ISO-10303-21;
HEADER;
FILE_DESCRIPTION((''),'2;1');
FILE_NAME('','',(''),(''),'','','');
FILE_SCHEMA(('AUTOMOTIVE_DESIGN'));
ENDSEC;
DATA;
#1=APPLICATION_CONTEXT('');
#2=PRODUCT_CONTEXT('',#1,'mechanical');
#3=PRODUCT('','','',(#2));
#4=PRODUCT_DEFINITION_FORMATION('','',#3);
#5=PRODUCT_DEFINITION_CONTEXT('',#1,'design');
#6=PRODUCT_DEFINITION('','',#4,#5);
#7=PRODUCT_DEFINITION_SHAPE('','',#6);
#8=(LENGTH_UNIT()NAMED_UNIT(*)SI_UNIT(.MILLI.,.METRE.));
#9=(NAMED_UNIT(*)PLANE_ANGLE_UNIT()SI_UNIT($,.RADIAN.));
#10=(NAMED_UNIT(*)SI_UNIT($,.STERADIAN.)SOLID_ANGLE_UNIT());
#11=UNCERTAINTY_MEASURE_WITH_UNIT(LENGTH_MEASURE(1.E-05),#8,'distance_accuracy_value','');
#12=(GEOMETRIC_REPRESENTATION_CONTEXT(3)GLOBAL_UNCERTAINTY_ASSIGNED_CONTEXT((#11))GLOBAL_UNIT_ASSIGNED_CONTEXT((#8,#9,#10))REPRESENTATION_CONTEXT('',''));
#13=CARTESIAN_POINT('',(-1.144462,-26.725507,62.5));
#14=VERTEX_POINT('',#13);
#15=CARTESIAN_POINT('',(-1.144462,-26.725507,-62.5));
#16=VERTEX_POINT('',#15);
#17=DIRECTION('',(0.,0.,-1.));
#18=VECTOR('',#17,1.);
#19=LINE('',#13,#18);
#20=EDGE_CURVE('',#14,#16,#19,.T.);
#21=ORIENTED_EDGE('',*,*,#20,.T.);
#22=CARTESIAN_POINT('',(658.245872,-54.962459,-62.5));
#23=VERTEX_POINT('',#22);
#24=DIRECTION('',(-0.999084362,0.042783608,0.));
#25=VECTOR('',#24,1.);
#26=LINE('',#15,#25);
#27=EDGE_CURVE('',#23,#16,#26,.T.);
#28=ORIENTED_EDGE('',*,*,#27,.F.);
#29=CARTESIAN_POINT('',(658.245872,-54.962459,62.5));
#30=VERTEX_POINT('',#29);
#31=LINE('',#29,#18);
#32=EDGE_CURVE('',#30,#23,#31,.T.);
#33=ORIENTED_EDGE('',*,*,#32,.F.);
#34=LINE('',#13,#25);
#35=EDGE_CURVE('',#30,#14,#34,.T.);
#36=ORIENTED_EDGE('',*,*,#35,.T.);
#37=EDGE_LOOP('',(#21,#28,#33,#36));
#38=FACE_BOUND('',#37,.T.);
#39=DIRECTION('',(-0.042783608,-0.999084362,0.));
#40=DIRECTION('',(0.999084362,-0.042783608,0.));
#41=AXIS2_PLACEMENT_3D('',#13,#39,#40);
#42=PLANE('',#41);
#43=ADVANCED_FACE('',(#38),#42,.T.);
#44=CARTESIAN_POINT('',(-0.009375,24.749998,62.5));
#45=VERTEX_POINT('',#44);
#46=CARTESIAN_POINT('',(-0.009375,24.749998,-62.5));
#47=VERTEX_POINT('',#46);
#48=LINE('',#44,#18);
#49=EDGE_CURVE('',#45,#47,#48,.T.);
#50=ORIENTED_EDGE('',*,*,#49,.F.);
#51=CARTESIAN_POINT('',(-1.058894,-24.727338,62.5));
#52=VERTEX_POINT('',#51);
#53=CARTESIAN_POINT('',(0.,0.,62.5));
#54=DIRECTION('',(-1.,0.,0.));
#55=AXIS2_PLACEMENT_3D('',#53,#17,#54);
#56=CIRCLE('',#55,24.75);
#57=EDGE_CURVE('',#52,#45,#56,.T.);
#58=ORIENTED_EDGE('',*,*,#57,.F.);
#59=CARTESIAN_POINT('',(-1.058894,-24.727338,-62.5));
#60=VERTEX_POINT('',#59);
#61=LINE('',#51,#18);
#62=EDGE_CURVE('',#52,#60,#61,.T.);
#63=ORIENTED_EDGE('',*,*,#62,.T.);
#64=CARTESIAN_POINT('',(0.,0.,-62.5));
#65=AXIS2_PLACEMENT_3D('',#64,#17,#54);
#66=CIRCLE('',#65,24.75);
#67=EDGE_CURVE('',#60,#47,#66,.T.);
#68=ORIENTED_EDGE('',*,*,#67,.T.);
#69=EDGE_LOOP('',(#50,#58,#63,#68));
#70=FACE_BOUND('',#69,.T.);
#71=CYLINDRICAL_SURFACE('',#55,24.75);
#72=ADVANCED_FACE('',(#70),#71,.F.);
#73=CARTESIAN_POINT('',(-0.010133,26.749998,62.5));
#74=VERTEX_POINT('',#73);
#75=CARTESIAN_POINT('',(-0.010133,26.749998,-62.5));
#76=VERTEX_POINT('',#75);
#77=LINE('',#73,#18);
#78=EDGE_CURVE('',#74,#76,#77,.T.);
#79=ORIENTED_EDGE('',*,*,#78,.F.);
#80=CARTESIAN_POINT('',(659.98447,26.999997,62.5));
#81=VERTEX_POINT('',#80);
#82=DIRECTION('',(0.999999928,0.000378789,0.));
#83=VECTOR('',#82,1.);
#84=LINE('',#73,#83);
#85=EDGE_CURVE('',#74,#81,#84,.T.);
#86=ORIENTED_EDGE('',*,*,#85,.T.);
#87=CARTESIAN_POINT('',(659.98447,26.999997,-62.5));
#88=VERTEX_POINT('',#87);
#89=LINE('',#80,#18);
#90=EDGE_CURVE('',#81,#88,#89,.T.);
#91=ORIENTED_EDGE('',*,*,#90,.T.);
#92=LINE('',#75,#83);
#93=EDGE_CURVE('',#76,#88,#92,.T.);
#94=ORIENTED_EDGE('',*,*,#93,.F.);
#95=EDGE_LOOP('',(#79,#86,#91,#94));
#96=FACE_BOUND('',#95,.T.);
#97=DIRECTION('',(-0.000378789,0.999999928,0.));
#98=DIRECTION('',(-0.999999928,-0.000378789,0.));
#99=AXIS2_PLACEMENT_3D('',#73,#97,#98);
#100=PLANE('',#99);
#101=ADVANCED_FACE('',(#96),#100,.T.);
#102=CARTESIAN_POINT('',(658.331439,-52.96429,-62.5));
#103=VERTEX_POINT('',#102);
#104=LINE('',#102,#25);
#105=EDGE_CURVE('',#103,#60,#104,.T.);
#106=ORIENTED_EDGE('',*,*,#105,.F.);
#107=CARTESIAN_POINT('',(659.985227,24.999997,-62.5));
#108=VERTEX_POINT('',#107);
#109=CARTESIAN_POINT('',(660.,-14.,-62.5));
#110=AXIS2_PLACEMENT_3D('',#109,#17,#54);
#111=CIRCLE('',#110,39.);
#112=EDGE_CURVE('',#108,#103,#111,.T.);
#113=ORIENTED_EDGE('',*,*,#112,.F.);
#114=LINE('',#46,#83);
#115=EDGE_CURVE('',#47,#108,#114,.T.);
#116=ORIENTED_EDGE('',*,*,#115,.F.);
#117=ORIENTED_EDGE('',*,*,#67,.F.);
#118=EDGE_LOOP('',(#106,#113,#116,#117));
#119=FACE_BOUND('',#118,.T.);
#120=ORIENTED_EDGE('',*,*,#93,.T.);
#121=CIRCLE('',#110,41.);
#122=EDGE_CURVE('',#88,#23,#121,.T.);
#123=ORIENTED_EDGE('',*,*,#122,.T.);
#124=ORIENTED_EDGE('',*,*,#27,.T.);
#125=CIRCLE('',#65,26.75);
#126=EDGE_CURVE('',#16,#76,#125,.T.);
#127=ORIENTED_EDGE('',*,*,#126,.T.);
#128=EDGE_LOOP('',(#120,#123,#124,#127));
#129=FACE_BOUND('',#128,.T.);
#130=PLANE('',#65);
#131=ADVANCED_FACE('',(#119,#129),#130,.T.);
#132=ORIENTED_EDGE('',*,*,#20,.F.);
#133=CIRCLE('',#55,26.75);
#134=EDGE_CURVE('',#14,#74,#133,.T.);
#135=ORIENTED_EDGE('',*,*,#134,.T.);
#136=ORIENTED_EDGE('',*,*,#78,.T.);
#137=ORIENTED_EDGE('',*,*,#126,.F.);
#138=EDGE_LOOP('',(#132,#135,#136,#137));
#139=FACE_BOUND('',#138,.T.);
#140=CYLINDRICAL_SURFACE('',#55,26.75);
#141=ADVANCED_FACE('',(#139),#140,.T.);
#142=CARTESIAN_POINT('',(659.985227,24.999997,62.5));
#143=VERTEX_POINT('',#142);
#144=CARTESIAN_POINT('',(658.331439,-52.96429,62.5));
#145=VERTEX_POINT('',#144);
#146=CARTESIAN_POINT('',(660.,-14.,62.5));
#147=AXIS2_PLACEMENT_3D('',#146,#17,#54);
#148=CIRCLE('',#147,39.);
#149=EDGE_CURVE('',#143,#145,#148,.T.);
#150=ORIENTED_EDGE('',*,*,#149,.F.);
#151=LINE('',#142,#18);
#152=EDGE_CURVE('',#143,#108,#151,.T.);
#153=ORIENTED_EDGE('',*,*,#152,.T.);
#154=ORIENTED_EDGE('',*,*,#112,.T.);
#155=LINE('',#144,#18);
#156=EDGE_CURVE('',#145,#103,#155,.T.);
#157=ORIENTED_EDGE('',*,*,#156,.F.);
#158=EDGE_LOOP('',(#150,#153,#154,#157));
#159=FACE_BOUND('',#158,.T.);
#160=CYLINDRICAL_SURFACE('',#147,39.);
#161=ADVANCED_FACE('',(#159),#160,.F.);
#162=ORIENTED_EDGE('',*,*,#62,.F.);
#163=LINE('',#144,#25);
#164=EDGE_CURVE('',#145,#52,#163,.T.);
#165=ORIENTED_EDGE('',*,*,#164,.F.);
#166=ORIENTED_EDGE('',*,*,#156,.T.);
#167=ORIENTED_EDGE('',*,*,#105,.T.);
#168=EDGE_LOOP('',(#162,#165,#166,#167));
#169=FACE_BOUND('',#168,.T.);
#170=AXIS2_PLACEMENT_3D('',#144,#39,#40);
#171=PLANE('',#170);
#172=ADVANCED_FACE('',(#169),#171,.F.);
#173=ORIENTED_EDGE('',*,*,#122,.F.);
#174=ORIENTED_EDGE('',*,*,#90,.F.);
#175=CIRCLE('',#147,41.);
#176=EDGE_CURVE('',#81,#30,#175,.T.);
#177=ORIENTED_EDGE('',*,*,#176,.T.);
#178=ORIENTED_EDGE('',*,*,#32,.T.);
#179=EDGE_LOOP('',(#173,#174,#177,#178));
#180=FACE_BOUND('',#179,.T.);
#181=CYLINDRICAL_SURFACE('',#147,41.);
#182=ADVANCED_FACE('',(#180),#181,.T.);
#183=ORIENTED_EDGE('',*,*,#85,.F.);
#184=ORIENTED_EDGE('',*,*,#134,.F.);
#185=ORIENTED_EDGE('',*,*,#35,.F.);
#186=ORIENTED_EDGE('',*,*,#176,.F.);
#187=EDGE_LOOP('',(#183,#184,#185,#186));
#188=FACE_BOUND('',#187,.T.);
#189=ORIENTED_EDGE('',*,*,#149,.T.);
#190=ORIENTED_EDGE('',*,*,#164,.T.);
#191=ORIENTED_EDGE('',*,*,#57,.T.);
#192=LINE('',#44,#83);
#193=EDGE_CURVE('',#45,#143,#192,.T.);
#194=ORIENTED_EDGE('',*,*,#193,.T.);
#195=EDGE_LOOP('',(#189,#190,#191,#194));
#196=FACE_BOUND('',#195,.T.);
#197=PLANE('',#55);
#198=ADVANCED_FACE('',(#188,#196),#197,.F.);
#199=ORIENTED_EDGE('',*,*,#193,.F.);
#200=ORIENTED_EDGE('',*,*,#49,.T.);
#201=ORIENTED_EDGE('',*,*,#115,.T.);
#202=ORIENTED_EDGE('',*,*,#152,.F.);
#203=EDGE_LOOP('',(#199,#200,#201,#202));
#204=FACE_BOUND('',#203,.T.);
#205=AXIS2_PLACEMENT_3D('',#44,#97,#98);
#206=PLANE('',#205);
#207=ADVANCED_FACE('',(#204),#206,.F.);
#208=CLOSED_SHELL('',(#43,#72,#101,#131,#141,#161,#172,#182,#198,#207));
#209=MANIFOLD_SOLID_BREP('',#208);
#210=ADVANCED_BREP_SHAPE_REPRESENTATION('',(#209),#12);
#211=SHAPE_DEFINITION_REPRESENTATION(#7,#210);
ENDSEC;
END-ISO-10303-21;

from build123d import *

# Parameters (mm, degrees)
LINEAR_AUSTRAGEN_D_NN1_DEPTH = 62.5


with BuildPart() as part:
    # Skizze2 → Linear-Austragen-Dünn1 (new, symmetric)
    with BuildSketch(Plane.XY):
        with BuildLine():
            Line((658.245872085, -54.962458853), (-1.144461538, -26.72550669))
            ThreePointArc((-1.144461538, -26.72550669), (-26.743983927, 0.567296628), (-0.010132649, 26.749998081))
            Line((-0.010132649, 26.749998081), (659.984469635, 26.999997059))
            ThreePointArc((659.984469635, 26.999997059), (700.990779053, -14.869501374), (658.245872085, -54.962458853))
        make_face()
        with BuildLine():
            Line((658.3314393, -52.964290128), (-1.058894323, -24.727337966))
            ThreePointArc((-1.058894323, -24.727337966), (-24.744433729, 0.524881927), (-0.00937507, 24.749998224))
            Line((-0.00937507, 24.749998224), (659.985227213, 24.999997202))
            ThreePointArc((659.985227213, 24.999997202), (698.991228855, -14.827086673), (658.3314393, -52.964290128))
        make_face(mode=Mode.SUBTRACT)
    extrude(amount=LINEAR_AUSTRAGEN_D_NN1_DEPTH, both=True)


solid = part.part
